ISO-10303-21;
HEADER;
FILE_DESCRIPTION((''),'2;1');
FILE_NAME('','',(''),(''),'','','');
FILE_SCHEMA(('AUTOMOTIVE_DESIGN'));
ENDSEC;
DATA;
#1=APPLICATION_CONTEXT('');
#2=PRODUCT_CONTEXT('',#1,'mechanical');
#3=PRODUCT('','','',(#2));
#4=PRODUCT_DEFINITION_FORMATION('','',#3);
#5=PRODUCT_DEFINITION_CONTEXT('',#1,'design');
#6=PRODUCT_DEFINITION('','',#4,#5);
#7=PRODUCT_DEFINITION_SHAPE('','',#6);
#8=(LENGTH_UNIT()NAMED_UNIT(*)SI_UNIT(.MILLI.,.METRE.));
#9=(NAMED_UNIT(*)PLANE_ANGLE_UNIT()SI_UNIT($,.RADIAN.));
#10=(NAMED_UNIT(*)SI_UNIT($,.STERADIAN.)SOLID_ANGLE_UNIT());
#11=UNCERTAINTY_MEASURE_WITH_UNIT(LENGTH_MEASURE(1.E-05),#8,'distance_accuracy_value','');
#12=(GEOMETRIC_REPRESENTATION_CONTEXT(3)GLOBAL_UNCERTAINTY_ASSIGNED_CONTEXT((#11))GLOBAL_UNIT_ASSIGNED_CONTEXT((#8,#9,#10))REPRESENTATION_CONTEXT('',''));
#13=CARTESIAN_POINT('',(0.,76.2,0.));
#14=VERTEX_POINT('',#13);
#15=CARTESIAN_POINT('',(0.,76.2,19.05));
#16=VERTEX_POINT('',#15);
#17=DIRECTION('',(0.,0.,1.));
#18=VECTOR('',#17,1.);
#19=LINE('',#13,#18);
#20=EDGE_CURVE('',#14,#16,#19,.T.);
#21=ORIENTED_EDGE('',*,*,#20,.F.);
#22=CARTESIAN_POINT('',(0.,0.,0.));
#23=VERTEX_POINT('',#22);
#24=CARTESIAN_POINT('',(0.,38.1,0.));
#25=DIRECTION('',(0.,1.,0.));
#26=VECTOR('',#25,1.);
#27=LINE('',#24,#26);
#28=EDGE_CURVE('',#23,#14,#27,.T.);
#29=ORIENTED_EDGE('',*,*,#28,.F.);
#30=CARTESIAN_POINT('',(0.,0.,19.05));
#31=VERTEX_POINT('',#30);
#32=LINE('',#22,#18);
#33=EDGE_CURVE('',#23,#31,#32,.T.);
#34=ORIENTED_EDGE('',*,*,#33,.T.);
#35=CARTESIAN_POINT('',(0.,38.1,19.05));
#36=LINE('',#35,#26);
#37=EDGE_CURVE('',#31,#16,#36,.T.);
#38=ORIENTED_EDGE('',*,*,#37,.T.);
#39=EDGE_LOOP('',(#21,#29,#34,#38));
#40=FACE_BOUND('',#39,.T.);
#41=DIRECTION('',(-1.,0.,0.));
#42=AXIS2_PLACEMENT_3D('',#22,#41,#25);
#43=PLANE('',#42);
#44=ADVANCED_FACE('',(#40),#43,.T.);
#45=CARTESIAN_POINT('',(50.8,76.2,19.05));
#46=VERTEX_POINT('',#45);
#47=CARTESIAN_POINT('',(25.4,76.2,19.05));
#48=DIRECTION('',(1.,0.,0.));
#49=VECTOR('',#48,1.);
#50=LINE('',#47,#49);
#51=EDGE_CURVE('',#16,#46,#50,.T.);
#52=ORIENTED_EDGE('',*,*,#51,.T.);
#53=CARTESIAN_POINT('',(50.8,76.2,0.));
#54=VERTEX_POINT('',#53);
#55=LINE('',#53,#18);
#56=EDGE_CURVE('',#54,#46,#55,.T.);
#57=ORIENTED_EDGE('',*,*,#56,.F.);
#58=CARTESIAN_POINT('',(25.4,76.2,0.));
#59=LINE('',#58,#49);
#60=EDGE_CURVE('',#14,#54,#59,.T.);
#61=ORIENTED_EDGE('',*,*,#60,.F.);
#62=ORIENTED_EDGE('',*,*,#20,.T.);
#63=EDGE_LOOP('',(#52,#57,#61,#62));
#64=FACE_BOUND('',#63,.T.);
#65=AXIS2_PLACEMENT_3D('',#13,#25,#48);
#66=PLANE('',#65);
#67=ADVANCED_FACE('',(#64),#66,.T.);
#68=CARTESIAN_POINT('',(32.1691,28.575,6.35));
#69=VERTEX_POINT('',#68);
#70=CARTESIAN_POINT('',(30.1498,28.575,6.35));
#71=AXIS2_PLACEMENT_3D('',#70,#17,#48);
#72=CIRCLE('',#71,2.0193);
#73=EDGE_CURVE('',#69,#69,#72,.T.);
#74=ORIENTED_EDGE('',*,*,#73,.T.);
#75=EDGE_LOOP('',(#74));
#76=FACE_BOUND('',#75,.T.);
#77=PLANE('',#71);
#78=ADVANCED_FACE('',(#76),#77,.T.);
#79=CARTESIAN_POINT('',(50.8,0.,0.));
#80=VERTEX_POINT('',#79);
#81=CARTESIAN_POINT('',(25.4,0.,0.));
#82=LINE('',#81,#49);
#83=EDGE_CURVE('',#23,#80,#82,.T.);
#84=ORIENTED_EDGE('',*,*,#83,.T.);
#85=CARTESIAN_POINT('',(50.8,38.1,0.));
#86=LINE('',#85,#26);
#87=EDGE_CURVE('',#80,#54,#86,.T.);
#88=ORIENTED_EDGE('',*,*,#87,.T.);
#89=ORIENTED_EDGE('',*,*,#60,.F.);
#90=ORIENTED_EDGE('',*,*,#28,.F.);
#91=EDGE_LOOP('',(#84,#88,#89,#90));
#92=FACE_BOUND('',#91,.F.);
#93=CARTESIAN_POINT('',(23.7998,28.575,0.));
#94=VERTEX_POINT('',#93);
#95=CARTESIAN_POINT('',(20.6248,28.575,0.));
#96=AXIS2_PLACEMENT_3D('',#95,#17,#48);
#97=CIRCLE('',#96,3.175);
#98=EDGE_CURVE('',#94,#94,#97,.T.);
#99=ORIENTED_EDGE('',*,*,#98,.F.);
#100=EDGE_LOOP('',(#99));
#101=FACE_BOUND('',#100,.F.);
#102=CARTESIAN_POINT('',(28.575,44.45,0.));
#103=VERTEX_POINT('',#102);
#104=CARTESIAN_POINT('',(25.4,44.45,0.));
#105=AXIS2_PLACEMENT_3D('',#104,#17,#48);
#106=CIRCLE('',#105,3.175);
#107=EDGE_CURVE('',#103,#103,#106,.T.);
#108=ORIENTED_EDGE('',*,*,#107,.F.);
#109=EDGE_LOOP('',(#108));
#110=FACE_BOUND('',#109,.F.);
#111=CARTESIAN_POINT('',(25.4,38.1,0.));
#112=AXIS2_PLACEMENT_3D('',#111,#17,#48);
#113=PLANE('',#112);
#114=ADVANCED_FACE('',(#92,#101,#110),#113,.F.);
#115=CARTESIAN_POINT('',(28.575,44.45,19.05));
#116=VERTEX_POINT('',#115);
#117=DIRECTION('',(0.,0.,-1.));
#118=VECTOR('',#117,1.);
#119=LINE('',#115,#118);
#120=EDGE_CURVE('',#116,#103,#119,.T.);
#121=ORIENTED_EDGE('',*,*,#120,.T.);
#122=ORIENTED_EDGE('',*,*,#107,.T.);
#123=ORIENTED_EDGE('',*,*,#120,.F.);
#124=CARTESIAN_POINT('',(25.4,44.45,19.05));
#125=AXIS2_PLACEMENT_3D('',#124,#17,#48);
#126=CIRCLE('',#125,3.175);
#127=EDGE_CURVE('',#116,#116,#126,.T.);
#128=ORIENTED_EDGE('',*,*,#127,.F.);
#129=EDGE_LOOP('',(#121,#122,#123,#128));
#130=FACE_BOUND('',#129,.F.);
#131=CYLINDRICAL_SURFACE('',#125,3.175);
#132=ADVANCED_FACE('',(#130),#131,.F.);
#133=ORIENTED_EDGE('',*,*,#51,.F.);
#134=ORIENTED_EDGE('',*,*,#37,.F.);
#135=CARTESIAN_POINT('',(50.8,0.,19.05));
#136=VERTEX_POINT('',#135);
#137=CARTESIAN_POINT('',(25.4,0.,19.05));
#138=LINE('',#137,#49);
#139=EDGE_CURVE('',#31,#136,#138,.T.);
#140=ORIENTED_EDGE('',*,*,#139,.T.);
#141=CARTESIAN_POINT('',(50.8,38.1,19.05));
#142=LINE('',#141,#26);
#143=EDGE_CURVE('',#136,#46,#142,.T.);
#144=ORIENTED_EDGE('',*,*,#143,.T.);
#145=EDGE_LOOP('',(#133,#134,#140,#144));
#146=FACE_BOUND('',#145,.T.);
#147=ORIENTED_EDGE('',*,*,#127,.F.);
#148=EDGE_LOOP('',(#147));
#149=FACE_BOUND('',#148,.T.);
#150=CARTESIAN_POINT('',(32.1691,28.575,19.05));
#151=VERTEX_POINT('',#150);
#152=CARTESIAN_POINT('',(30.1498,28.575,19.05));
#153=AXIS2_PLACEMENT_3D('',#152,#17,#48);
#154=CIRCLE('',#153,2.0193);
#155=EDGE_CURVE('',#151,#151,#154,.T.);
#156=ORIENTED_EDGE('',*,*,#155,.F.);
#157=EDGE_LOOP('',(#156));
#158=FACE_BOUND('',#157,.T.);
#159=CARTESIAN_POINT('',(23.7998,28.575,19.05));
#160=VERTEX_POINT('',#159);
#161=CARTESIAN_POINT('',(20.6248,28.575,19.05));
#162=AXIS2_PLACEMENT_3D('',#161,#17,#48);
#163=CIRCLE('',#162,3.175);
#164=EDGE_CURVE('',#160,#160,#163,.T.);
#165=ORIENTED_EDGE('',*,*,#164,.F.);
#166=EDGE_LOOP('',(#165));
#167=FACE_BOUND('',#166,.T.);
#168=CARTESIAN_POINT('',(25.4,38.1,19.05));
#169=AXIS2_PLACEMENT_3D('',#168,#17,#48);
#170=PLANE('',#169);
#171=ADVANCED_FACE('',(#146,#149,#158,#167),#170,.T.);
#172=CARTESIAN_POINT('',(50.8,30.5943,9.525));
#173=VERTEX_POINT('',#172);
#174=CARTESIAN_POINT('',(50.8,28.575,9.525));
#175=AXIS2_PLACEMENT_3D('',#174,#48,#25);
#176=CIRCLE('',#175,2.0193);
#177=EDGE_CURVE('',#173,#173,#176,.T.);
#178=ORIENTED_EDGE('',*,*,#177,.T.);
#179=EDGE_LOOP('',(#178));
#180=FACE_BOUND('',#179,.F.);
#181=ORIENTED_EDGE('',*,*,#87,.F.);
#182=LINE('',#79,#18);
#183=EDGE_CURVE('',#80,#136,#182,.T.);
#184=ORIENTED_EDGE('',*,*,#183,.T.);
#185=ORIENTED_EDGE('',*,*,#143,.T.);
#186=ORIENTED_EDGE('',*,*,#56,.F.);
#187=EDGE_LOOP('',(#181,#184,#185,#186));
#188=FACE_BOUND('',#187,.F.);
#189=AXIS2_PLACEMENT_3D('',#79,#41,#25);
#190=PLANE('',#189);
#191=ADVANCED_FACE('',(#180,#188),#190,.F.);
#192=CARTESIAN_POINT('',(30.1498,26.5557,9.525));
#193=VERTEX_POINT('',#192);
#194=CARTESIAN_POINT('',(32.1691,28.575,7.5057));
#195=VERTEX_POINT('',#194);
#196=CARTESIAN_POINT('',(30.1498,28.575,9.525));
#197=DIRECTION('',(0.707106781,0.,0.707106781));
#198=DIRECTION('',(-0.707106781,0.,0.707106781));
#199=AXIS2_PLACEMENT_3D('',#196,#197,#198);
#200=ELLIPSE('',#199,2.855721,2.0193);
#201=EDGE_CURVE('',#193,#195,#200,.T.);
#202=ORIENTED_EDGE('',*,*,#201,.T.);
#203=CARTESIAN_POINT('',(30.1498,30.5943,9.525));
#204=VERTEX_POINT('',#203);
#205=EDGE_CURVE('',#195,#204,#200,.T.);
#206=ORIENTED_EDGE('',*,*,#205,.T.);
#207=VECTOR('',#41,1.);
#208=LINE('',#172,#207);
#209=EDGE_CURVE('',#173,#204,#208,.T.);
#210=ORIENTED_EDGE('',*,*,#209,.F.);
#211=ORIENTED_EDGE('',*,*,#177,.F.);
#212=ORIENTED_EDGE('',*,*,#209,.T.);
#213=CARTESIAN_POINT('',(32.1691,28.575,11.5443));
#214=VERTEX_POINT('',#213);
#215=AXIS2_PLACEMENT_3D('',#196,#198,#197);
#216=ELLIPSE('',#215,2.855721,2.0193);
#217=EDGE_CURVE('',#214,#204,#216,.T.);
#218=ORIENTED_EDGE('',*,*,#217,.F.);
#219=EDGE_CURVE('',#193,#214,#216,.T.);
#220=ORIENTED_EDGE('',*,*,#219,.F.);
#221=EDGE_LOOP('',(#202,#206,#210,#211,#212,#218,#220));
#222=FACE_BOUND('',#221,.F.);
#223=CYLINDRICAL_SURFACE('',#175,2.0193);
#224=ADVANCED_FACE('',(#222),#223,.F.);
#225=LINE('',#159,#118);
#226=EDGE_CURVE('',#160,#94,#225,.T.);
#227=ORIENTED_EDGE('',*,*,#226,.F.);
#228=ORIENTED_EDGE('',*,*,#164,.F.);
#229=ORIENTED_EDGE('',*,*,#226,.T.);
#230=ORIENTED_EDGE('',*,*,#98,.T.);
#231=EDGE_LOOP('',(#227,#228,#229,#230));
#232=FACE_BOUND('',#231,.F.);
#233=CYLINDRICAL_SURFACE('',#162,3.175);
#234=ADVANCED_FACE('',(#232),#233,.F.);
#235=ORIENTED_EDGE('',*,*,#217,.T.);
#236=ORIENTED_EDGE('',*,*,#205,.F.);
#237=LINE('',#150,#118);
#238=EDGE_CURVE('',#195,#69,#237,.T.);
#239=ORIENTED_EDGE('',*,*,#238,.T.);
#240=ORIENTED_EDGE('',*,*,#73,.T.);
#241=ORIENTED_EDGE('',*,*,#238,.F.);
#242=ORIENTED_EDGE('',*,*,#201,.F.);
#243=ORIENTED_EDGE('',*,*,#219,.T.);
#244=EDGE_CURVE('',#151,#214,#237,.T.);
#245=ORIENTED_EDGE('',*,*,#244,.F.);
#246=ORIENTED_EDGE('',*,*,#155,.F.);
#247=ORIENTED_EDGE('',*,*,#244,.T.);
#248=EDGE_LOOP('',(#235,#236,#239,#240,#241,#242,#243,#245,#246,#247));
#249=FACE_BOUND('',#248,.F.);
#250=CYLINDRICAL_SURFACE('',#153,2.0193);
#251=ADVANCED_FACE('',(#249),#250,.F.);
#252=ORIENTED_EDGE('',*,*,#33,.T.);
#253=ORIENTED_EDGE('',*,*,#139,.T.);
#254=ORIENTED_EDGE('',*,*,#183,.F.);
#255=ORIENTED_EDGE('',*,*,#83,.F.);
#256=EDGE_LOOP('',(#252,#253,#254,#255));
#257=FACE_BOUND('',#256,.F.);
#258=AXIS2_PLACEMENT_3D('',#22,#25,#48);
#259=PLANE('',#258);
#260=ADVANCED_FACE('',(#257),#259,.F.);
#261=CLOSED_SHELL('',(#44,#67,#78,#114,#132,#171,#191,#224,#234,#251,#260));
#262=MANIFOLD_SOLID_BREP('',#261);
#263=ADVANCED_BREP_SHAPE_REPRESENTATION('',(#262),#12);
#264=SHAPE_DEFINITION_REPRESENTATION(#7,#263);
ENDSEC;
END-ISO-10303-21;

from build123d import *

# Parameters (mm, degrees)
F0_W     = 50.8
F0_H     = 76.2
F1_DEPTH = 19.05
F2_R     = 3.175
F3_DEPTH = 19.05
F2_R_2   = 2.0193
F4_DEPTH = 12.7
F5_R     = 2.0193
F6_DEPTH = 20.6502


with BuildPart() as f1:
    # F0 (on Top) → F1 (new body)
    with BuildSketch(Plane.XY):
        with Locations((25.4, 38.1)):
            Rectangle(F0_W, F0_H)
    extrude(amount=F1_DEPTH)

    # F2 (on face) → F3 (cut)
    with BuildSketch(Plane.XY.offset(19.05)):
        with Locations((25.4, 44.45)):
            Circle(F2_R)
        with Locations((20.6248, 28.575)):
            Circle(F2_R)
    extrude(amount=-F3_DEPTH, mode=Mode.SUBTRACT)

    # F2 (on face) → F4 (cut)
    with BuildSketch(Plane.XY.offset(19.05)):
        with Locations((25.4, 44.45)):
            Circle(F2_R)
        with Locations((20.6248, 28.575)):
            Circle(F2_R)
        with Locations((30.1498, 28.575)):
            Circle(F2_R_2)
    extrude(amount=-F4_DEPTH, mode=Mode.SUBTRACT)

    # F5 (on face) → F6 (cut)
    with BuildSketch(Plane.YZ.offset(50.8)):
        with Locations((28.575, 9.525)):
            Circle(F5_R)
    extrude(amount=-F6_DEPTH, mode=Mode.SUBTRACT)


solid = f1.part
